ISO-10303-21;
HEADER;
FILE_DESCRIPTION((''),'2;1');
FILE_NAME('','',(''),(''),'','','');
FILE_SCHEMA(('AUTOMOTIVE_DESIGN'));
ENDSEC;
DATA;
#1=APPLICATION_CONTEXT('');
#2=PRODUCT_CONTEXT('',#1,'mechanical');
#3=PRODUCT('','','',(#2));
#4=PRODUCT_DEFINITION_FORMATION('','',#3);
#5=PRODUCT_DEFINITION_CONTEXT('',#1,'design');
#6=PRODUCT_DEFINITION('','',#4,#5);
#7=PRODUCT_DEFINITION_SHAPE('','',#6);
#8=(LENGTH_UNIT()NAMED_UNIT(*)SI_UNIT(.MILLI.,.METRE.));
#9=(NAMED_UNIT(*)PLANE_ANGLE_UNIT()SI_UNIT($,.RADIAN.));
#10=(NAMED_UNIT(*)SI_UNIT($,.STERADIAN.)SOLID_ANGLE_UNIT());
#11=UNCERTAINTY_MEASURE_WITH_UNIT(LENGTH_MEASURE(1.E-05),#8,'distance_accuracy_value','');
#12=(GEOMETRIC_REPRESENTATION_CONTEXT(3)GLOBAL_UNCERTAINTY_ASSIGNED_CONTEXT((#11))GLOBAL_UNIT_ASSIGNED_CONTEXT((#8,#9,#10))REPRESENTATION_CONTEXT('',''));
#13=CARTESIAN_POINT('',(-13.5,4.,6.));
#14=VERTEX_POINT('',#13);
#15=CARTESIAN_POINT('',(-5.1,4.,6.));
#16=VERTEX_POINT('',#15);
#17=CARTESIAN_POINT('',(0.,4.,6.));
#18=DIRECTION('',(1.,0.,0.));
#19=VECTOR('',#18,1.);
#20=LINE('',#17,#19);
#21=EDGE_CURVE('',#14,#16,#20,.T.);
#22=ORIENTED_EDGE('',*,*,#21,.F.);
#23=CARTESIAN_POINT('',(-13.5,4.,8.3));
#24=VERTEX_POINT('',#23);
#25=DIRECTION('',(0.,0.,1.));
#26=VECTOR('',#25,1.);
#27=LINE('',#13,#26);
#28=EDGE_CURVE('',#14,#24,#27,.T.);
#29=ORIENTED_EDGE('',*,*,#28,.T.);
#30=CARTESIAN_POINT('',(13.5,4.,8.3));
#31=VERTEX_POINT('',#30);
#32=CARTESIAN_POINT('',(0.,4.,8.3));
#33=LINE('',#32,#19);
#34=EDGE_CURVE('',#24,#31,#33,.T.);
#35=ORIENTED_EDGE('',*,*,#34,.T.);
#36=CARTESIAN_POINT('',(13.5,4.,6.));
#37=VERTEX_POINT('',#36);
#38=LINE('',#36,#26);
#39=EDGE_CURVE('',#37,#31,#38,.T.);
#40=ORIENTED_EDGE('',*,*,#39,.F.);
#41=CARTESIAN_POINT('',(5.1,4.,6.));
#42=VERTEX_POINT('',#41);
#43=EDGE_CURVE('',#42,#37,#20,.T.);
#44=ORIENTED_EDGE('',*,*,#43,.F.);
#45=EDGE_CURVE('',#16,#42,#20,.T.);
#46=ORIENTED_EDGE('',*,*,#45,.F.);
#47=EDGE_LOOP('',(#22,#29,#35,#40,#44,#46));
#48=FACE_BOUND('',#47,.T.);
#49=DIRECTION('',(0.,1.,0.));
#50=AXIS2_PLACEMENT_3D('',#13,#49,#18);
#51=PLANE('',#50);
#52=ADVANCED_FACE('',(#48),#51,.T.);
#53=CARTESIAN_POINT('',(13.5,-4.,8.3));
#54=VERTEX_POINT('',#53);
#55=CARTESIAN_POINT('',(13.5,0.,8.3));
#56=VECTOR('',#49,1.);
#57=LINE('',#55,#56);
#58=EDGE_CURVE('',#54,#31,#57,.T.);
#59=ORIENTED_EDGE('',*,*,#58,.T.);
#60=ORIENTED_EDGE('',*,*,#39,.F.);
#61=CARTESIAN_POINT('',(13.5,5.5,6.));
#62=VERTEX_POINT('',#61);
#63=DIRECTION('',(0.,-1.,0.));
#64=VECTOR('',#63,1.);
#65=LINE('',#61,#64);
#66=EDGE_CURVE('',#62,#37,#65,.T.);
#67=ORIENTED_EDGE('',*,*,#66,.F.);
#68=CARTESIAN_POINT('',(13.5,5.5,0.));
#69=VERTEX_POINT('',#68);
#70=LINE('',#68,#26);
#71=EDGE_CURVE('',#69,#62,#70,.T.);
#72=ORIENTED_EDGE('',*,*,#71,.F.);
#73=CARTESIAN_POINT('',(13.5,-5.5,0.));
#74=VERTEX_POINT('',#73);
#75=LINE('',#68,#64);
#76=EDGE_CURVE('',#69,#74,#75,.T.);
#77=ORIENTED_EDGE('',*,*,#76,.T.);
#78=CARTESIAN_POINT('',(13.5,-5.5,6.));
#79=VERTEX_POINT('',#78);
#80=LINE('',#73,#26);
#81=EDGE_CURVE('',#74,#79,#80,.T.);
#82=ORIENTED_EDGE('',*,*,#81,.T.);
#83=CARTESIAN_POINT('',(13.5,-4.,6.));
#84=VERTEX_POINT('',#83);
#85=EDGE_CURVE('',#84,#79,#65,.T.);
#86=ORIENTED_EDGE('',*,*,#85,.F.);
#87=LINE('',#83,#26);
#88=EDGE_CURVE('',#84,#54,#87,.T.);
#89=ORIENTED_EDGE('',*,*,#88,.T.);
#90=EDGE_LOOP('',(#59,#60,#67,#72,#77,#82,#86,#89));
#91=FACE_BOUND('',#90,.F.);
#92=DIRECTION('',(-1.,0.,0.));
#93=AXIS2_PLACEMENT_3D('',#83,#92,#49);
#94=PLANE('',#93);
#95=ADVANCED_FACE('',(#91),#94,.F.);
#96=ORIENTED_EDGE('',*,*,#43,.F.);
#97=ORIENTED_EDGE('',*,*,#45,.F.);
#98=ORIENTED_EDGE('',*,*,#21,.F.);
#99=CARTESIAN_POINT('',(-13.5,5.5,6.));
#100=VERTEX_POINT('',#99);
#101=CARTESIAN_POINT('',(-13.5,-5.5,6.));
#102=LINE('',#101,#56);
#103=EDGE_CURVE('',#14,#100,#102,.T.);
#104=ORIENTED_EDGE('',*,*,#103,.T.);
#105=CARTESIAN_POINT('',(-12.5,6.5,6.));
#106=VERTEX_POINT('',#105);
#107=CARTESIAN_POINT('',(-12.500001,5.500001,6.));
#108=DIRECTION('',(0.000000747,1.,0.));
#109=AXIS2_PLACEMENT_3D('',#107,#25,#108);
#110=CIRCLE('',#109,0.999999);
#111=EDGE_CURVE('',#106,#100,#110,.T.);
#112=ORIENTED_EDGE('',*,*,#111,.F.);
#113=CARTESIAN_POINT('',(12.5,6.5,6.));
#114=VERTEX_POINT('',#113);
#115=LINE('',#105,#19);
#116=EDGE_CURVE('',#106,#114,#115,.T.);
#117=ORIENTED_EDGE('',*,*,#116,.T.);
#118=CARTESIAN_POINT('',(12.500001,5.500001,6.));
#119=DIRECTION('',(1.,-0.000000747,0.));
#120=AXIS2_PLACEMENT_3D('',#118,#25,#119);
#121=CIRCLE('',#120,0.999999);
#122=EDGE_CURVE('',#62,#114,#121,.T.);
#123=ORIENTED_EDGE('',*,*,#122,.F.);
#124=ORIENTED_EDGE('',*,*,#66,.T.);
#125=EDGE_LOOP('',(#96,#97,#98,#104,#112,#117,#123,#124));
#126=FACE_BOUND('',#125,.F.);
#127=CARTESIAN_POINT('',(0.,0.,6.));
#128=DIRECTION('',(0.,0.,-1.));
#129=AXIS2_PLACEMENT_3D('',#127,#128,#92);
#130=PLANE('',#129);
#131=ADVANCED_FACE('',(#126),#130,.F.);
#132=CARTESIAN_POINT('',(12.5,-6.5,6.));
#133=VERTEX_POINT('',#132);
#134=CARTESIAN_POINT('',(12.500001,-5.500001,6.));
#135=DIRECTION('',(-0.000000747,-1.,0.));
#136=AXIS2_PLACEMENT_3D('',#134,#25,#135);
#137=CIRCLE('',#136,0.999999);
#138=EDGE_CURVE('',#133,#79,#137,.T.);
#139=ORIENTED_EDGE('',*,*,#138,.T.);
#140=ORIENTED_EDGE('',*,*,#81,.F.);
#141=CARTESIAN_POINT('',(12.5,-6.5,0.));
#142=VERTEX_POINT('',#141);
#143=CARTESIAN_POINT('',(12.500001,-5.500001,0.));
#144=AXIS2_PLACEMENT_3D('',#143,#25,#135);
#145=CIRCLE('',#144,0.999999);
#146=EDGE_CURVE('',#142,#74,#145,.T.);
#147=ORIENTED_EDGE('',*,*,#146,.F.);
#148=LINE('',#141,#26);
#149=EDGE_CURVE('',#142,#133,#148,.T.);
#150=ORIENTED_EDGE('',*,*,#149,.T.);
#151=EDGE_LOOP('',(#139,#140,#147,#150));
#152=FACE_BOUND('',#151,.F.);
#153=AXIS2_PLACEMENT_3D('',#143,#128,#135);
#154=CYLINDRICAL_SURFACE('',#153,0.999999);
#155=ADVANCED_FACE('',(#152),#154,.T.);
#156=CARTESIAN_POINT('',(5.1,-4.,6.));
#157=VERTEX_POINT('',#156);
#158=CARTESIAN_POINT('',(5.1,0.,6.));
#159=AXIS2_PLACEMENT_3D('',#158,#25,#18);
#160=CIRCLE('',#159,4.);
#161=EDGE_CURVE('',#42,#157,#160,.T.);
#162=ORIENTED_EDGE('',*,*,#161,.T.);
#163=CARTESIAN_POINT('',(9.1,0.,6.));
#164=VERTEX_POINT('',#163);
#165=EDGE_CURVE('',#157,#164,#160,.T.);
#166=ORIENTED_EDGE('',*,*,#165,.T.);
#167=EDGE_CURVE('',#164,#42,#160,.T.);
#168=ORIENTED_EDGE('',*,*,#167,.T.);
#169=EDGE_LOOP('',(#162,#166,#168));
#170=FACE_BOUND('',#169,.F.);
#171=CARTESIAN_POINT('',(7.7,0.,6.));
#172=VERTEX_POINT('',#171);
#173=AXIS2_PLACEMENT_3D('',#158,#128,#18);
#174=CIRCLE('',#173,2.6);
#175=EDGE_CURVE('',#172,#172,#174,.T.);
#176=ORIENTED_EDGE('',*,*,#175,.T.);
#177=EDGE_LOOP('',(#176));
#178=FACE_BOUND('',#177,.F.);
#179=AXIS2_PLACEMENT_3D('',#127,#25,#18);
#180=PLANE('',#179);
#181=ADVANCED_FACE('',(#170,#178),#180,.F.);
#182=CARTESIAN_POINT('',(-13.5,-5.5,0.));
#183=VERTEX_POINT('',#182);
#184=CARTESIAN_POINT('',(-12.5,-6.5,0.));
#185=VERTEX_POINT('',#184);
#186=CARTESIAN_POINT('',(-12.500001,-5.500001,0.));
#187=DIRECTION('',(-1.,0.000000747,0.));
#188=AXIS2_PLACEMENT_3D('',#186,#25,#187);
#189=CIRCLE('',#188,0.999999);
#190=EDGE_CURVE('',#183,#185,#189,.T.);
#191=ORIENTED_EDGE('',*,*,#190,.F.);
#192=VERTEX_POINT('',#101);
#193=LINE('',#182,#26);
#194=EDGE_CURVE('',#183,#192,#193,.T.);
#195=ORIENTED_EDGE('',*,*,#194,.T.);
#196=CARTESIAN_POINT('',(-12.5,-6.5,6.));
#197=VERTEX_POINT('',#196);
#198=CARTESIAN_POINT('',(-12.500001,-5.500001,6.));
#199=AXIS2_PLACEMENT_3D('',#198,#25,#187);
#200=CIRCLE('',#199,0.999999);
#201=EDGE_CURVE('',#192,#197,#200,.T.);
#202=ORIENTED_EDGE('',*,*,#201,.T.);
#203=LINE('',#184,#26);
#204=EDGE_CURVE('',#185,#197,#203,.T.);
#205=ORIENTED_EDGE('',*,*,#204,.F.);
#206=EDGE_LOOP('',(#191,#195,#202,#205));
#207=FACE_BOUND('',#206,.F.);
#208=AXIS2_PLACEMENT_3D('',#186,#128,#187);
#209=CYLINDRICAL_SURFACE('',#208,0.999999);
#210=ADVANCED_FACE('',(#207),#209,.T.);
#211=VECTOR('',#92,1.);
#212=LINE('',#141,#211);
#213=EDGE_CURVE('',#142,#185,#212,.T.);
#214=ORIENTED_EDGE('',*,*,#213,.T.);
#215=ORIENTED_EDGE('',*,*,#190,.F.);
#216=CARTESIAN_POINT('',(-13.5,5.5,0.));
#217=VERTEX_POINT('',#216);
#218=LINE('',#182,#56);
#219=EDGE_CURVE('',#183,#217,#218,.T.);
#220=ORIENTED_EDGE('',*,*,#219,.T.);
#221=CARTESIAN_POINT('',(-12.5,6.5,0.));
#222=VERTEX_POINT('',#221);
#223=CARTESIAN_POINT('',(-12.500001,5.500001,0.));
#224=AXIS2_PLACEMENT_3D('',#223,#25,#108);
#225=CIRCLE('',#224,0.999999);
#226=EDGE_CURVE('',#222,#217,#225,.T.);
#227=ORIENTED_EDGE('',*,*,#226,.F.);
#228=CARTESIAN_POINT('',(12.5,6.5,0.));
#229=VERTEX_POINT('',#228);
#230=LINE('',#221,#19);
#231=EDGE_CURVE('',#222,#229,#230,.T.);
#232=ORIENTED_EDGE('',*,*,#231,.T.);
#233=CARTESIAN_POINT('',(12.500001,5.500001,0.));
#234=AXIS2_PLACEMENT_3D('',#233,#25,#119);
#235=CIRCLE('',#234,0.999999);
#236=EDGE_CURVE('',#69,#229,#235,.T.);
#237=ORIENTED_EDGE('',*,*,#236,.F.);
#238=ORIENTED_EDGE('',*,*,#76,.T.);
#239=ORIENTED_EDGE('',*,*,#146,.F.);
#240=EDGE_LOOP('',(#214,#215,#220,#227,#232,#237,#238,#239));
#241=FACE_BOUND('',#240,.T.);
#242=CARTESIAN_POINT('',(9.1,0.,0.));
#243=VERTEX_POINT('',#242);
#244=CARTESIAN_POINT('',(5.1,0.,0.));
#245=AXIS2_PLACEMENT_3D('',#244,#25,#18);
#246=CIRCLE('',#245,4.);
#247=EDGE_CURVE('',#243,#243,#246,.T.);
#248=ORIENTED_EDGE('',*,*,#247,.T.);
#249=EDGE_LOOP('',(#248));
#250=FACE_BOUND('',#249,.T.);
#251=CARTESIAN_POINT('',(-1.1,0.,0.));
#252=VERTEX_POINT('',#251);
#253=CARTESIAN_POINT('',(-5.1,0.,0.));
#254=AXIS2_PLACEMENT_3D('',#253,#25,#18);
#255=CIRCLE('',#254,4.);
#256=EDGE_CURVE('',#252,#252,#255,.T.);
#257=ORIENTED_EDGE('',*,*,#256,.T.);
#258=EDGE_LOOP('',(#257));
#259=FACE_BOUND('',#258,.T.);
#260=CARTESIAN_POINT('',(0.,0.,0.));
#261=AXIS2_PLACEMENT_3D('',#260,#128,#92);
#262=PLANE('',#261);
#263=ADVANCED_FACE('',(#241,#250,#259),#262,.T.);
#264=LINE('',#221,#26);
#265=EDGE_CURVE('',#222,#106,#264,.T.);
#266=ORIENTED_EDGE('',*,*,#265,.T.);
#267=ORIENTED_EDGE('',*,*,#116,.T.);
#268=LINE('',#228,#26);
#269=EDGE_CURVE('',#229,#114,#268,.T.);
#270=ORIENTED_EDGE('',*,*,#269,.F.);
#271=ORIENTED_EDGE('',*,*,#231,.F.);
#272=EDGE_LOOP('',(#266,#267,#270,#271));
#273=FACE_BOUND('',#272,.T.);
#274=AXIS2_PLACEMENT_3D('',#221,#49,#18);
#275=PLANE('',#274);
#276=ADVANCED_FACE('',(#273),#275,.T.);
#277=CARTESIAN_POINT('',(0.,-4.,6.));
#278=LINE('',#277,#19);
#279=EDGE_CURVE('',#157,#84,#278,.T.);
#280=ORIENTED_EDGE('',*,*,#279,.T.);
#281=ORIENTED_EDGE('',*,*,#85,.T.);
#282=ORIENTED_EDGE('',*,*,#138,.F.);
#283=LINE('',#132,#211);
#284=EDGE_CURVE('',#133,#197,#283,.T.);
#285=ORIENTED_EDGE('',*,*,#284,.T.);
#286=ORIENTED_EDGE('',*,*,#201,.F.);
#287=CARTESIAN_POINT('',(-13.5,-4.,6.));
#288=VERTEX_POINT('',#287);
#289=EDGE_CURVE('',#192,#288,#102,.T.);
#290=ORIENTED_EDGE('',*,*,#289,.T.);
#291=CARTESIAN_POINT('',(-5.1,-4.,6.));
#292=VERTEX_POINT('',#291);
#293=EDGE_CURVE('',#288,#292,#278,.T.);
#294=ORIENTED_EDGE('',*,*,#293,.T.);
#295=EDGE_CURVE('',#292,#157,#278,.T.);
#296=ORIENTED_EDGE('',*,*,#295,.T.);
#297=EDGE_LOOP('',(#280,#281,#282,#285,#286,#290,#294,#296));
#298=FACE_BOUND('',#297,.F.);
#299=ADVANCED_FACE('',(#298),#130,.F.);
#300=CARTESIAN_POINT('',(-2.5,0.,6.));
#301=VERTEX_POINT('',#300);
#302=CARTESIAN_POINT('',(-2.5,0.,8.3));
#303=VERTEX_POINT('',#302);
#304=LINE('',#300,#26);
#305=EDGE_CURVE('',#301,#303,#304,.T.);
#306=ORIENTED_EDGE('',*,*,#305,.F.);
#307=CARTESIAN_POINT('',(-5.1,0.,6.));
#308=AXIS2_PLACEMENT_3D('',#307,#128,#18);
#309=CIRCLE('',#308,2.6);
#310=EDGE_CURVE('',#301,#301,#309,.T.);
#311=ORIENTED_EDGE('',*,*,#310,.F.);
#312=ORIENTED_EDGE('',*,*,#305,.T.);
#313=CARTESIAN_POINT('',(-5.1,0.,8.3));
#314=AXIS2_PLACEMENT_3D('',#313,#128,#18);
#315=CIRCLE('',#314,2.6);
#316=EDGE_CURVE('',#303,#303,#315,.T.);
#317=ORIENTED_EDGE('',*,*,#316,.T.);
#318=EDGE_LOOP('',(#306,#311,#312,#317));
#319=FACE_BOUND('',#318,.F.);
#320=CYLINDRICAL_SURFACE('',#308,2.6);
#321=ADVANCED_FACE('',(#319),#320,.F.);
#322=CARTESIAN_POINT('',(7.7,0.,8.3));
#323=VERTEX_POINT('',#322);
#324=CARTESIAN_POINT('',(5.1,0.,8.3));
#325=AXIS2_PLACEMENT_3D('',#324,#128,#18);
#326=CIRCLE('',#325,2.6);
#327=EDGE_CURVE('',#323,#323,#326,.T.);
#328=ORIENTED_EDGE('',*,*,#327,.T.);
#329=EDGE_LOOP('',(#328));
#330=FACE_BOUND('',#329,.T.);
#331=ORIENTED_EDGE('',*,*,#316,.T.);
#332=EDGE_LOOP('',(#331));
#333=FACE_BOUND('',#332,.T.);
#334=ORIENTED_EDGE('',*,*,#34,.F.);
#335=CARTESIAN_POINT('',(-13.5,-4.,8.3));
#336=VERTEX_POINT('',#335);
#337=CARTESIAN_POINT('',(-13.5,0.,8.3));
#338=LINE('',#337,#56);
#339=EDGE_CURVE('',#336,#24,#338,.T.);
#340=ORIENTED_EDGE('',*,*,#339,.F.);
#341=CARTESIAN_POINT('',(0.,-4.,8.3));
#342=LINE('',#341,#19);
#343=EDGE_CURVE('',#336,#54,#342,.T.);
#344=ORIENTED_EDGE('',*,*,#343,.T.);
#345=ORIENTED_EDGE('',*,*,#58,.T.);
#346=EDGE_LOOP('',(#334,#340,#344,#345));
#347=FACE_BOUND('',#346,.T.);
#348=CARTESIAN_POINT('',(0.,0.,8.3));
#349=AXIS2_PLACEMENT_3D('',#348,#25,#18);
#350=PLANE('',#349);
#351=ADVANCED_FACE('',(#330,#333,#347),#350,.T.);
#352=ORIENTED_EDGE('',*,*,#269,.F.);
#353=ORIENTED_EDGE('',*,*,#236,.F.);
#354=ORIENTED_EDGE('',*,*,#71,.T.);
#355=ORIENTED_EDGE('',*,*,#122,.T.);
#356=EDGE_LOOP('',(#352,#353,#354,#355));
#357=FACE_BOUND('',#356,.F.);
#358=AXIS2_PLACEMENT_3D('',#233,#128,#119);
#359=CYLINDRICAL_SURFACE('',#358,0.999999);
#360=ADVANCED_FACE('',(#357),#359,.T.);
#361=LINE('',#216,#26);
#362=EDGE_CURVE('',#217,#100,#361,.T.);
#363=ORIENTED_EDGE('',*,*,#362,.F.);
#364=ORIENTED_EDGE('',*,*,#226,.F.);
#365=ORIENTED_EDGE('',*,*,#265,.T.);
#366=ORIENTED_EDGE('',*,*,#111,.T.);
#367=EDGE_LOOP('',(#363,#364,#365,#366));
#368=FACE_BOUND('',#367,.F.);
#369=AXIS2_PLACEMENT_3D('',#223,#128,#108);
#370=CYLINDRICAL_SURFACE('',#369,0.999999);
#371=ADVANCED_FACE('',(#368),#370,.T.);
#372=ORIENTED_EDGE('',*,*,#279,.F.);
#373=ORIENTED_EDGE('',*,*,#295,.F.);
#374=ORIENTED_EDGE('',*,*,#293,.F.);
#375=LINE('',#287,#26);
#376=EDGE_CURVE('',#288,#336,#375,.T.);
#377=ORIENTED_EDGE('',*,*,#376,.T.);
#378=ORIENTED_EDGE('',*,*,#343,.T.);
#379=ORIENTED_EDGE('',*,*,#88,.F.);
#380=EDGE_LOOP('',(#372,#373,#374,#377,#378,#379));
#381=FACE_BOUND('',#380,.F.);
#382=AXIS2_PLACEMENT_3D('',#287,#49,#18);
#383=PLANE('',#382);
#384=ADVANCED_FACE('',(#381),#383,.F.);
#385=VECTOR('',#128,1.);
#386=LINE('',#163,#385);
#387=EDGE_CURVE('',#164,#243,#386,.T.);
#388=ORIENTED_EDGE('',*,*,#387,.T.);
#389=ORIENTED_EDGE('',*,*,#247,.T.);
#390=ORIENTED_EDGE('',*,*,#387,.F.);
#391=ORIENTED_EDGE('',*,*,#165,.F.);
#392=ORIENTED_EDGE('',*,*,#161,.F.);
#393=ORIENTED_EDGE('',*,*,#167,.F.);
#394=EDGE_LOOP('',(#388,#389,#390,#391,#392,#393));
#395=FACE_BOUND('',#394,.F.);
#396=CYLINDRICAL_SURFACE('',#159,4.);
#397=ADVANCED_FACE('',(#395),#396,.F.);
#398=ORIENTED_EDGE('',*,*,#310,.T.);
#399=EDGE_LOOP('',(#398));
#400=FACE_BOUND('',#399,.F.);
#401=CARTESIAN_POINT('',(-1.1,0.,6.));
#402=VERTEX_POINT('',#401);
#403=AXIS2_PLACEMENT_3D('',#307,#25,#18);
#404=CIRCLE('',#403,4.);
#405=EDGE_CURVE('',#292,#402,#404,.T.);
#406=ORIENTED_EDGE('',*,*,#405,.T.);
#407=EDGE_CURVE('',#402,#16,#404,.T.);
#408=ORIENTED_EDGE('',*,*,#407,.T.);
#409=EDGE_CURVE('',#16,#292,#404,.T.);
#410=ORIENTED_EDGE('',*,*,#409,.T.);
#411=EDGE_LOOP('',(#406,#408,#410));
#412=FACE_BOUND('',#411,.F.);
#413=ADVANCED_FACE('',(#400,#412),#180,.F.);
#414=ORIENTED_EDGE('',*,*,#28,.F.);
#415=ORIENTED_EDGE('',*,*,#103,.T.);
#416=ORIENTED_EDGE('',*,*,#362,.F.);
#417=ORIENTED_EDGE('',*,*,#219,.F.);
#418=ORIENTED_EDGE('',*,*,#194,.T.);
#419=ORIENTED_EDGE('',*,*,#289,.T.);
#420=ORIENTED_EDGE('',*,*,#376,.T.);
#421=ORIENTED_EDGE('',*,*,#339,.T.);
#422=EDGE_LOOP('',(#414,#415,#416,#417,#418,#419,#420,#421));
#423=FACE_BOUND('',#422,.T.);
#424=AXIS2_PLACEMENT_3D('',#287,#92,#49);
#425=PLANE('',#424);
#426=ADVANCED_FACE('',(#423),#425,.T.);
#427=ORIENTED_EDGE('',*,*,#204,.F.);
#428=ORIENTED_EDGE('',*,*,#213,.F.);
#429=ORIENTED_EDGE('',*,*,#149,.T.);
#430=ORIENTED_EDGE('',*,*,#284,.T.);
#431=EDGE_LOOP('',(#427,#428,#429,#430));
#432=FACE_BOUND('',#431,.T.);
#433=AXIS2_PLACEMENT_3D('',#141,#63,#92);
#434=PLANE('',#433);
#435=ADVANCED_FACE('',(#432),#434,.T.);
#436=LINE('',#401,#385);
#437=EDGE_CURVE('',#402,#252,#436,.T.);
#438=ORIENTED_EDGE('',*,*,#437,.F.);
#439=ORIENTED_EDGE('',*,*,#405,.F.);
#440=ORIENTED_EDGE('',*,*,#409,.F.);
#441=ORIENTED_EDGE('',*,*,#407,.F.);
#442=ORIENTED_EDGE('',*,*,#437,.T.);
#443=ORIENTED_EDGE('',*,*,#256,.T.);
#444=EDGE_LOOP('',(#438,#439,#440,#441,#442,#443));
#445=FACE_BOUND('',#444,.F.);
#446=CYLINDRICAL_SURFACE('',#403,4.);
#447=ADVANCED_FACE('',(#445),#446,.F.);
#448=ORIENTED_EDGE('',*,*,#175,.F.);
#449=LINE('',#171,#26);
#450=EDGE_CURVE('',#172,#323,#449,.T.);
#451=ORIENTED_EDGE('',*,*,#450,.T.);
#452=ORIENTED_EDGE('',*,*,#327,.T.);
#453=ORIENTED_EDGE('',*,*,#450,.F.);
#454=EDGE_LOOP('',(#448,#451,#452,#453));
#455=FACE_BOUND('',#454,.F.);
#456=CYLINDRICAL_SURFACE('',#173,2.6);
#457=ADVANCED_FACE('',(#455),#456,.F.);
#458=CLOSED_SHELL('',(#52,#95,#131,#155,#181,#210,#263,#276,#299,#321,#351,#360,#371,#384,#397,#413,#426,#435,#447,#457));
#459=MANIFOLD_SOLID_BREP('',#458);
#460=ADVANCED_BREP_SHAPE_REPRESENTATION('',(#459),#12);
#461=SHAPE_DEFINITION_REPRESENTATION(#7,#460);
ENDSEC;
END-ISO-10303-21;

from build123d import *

# Parameters (mm, degrees)
PAD_DEPTH       = 6
SKETCH001_R     = 4
POCKET_DEPTH    = 6.001
SKETCH002_W     = 27
SKETCH002_H     = 8
PAD001_DEPTH    = 2.3
SKETCH003_R     = 2.6
POCKET001_DEPTH = 2.301


with BuildPart() as part:
    # Sketch → Pad (new body)
    with BuildSketch(Plane.XY):
        with BuildLine():
            Line((-12.5, 6.5), (12.5, 6.5))
            ThreePointArc((13.5, 5.5), (13.207107, 6.207107), (12.5, 6.5))
            Line((13.5, 5.5), (13.5, -5.5))
            ThreePointArc((12.5, -6.5), (13.207107, -6.207107), (13.5, -5.5))
            Line((12.5, -6.5), (-12.5, -6.5))
            ThreePointArc((-13.5, -5.5), (-13.207107, -6.207107), (-12.5, -6.5))
            Line((-13.5, -5.5), (-13.5, 5.5))
            ThreePointArc((-12.5, 6.5), (-13.207107, 6.207107), (-13.5, 5.5))
        make_face()
    extrude(amount=PAD_DEPTH)

    # Sketch001 (on Face10 of Pad) → Pocket (cut, through all)
    with BuildSketch(Plane.XY.offset(6)):
        with Locations((-5.1, 0)):
            Circle(SKETCH001_R)
        with Locations((5.1, 0)):
            Circle(SKETCH001_R)
    extrude(amount=-POCKET_DEPTH, mode=Mode.SUBTRACT)

    # Sketch002 (on Face5 of Pocket) → Pad001 (join)
    with BuildSketch(Plane.XY.offset(6)):
        Rectangle(SKETCH002_W, SKETCH002_H)
    extrude(amount=PAD001_DEPTH)

    # Sketch003 (on Face18 of Pad001) → Pocket001 (cut, through all)
    with BuildSketch(Plane(origin=(0, 0, 6), x_dir=(1, 0, 0), z_dir=(0, 0, -1))):
        with Locations((-5.1, 0)):
            Circle(SKETCH003_R)
        with Locations((5.1, 0)):
            Circle(SKETCH003_R)
    extrude(amount=-POCKET001_DEPTH, mode=Mode.SUBTRACT)


solid = part.part
